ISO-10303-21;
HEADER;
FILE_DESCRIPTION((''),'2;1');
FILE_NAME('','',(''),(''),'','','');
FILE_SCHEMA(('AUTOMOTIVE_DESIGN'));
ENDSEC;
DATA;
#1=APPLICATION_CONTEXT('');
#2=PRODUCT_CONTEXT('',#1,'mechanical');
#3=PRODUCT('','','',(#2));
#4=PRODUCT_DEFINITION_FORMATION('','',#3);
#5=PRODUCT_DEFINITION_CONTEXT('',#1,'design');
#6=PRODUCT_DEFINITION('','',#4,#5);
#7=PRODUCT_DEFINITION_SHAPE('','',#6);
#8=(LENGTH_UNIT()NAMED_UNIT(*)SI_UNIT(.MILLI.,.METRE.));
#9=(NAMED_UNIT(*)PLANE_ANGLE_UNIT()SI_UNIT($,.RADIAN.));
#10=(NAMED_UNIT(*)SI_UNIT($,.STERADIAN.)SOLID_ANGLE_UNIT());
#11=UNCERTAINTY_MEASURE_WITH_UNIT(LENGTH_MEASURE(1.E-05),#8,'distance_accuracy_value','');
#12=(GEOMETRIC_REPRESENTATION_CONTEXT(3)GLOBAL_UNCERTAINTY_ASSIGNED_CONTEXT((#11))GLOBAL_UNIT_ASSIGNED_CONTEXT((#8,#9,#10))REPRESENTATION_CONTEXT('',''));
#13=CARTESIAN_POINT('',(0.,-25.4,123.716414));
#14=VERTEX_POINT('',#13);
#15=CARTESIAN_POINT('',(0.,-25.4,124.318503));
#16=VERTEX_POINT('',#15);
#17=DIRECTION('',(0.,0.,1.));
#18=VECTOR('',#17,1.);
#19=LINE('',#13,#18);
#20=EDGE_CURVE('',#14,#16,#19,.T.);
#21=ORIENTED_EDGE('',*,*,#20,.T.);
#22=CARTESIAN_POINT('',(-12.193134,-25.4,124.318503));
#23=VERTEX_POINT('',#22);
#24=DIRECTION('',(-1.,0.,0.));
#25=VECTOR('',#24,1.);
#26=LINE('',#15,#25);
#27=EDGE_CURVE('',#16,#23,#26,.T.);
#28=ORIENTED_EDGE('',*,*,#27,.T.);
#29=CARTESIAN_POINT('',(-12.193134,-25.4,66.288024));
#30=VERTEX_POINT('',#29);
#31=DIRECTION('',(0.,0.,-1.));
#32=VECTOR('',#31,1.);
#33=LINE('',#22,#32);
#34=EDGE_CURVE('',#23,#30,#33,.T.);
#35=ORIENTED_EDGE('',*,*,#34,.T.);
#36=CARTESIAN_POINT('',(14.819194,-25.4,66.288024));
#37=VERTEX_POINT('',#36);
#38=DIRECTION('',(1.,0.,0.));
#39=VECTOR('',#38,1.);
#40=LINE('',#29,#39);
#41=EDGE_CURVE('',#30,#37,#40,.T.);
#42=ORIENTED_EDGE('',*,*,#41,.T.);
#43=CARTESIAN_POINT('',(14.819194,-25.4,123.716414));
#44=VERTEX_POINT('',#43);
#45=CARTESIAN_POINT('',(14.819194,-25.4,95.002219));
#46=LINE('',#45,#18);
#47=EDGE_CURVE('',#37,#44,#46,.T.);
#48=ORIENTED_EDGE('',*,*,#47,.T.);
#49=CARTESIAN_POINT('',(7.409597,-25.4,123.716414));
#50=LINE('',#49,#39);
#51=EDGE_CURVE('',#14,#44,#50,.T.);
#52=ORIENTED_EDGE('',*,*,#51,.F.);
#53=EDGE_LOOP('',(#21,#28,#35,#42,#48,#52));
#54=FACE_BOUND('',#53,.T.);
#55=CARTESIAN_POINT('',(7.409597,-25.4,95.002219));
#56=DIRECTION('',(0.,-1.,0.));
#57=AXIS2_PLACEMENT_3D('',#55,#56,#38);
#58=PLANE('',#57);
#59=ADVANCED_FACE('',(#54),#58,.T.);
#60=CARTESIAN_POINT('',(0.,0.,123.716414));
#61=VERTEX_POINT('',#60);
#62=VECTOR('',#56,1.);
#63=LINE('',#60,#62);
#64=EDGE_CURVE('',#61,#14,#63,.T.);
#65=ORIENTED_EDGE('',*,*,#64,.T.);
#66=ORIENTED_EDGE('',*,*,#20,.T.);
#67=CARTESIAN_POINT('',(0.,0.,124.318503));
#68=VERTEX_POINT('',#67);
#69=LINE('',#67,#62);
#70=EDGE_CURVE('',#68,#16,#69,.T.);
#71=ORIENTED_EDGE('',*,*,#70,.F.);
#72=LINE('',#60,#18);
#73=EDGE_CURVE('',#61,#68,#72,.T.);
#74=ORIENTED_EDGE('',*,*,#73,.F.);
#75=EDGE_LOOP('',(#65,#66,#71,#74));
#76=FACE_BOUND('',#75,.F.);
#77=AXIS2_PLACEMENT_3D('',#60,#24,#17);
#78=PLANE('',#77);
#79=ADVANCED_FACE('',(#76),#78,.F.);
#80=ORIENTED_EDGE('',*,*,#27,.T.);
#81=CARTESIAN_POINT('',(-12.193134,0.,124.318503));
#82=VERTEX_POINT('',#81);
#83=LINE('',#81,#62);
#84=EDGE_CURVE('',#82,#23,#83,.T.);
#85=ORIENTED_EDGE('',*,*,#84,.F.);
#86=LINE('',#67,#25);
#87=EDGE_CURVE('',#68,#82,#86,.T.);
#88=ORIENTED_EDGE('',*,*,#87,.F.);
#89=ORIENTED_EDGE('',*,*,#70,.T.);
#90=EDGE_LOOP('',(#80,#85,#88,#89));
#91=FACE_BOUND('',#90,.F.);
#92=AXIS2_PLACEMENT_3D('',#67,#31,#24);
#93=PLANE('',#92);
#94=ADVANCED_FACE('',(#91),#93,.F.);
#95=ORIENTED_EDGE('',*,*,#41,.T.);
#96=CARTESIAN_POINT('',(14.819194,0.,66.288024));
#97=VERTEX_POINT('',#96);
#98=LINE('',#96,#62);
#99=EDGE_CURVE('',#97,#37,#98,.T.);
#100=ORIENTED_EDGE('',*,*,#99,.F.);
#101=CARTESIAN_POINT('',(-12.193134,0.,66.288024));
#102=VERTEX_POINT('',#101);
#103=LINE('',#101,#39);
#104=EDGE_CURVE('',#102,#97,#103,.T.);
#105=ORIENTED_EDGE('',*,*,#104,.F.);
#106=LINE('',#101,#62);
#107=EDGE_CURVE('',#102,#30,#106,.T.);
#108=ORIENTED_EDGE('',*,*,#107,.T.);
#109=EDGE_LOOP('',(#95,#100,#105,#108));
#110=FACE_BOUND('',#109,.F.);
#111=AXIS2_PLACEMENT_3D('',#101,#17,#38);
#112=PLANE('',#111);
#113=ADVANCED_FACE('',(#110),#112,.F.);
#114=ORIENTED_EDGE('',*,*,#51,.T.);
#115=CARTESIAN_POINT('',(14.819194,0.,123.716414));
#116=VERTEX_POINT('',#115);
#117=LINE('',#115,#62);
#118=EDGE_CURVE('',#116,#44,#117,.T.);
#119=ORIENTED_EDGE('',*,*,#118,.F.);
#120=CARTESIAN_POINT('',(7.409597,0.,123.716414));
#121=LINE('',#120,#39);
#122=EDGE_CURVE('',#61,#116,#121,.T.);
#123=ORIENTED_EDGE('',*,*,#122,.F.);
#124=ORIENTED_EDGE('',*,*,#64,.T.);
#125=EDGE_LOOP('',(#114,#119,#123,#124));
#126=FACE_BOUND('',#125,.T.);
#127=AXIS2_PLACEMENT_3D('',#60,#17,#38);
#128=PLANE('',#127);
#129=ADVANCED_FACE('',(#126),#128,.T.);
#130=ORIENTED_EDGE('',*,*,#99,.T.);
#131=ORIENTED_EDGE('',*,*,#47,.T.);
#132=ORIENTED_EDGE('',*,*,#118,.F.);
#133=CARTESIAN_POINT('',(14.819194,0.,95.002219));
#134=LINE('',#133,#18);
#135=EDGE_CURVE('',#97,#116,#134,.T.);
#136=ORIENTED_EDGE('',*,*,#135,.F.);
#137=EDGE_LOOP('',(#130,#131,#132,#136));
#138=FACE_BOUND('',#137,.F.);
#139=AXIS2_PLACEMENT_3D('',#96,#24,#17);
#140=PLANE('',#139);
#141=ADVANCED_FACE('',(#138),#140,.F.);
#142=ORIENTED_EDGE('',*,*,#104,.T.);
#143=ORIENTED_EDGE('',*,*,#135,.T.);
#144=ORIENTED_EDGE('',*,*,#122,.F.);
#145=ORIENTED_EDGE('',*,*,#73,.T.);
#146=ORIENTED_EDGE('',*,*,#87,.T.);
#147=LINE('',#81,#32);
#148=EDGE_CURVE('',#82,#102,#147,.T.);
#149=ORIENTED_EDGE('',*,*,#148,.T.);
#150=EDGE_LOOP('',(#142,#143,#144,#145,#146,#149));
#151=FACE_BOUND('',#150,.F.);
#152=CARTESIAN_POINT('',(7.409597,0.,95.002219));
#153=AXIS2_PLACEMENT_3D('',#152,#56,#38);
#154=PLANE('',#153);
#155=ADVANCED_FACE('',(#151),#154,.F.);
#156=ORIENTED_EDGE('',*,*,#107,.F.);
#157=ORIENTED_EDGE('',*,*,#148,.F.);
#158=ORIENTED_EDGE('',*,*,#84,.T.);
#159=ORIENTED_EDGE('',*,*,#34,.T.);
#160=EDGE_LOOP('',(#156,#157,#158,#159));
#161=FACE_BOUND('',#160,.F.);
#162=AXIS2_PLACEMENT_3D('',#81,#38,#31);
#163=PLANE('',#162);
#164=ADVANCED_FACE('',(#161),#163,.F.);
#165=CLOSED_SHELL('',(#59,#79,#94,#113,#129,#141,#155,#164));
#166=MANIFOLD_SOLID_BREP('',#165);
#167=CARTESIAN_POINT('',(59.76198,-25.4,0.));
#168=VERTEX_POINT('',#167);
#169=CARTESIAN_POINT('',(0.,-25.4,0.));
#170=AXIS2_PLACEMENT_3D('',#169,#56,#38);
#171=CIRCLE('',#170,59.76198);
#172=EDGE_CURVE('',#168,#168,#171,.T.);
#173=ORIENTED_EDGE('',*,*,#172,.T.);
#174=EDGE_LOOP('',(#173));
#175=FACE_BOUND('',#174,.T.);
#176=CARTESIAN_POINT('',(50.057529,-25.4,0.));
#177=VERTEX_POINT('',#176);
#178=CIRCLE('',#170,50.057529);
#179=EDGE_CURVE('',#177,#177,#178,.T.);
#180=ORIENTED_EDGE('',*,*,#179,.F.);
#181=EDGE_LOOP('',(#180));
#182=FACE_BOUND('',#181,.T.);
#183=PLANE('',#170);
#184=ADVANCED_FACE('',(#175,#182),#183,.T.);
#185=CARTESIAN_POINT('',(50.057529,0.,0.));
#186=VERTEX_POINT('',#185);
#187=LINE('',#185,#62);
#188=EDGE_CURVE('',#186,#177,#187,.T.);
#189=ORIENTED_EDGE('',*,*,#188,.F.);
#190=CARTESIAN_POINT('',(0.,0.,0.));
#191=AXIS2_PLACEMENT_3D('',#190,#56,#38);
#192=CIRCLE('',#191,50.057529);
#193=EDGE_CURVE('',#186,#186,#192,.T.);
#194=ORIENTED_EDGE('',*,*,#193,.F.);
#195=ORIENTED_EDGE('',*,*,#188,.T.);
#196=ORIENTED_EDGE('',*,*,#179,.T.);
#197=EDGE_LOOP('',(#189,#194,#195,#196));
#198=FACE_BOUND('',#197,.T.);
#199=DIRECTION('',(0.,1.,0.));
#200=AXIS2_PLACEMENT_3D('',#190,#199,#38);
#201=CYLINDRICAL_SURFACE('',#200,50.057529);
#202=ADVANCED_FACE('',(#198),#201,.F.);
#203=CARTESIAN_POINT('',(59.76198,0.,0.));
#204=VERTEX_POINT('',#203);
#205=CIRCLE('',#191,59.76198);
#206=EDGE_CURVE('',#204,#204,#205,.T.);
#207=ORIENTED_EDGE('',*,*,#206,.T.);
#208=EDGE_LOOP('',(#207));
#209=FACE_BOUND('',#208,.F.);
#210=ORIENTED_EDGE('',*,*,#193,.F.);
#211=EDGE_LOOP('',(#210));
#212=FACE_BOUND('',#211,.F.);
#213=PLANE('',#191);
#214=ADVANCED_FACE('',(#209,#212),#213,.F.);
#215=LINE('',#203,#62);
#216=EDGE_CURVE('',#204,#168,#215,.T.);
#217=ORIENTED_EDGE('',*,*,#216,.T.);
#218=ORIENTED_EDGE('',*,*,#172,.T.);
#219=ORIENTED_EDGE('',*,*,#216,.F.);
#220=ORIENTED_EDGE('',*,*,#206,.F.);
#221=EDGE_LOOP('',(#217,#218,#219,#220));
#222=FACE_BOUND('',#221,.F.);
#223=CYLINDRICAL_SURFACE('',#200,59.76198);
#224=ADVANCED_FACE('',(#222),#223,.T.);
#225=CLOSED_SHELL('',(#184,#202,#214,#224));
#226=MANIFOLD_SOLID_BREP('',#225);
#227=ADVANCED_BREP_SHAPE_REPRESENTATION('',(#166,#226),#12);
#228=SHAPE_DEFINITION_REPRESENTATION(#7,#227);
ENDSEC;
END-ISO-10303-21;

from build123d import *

# Parameters (mm, degrees)
F1_R     = 59.76198
F1_R_2   = 50.057529
F2_DEPTH = 25.4
F3_W     = 14.819194
F3_H     = 57.42839
F4_DEPTH = 25.4


with BuildPart() as f2:
    # F1 (on face) → F2 (new body)
    with BuildSketch(Plane.XZ):
        Circle(F1_R)
        Circle(F1_R_2, mode=Mode.SUBTRACT)
    extrude(amount=F2_DEPTH)


with BuildPart() as f4:
    # F3 (on Front) → F4 (new body)
    with BuildSketch(Plane.XZ):
        with Locations((7.409597, 95.002219)):
            Rectangle(F3_W, F3_H)
        Polygon((-12.193134, 66.288024), (0, 66.288024), (0, 123.716414), (0, 124.318503), (-12.193134, 124.318503), align=None)
    extrude(amount=F4_DEPTH)


solid = Compound([f2.part, f4.part])
